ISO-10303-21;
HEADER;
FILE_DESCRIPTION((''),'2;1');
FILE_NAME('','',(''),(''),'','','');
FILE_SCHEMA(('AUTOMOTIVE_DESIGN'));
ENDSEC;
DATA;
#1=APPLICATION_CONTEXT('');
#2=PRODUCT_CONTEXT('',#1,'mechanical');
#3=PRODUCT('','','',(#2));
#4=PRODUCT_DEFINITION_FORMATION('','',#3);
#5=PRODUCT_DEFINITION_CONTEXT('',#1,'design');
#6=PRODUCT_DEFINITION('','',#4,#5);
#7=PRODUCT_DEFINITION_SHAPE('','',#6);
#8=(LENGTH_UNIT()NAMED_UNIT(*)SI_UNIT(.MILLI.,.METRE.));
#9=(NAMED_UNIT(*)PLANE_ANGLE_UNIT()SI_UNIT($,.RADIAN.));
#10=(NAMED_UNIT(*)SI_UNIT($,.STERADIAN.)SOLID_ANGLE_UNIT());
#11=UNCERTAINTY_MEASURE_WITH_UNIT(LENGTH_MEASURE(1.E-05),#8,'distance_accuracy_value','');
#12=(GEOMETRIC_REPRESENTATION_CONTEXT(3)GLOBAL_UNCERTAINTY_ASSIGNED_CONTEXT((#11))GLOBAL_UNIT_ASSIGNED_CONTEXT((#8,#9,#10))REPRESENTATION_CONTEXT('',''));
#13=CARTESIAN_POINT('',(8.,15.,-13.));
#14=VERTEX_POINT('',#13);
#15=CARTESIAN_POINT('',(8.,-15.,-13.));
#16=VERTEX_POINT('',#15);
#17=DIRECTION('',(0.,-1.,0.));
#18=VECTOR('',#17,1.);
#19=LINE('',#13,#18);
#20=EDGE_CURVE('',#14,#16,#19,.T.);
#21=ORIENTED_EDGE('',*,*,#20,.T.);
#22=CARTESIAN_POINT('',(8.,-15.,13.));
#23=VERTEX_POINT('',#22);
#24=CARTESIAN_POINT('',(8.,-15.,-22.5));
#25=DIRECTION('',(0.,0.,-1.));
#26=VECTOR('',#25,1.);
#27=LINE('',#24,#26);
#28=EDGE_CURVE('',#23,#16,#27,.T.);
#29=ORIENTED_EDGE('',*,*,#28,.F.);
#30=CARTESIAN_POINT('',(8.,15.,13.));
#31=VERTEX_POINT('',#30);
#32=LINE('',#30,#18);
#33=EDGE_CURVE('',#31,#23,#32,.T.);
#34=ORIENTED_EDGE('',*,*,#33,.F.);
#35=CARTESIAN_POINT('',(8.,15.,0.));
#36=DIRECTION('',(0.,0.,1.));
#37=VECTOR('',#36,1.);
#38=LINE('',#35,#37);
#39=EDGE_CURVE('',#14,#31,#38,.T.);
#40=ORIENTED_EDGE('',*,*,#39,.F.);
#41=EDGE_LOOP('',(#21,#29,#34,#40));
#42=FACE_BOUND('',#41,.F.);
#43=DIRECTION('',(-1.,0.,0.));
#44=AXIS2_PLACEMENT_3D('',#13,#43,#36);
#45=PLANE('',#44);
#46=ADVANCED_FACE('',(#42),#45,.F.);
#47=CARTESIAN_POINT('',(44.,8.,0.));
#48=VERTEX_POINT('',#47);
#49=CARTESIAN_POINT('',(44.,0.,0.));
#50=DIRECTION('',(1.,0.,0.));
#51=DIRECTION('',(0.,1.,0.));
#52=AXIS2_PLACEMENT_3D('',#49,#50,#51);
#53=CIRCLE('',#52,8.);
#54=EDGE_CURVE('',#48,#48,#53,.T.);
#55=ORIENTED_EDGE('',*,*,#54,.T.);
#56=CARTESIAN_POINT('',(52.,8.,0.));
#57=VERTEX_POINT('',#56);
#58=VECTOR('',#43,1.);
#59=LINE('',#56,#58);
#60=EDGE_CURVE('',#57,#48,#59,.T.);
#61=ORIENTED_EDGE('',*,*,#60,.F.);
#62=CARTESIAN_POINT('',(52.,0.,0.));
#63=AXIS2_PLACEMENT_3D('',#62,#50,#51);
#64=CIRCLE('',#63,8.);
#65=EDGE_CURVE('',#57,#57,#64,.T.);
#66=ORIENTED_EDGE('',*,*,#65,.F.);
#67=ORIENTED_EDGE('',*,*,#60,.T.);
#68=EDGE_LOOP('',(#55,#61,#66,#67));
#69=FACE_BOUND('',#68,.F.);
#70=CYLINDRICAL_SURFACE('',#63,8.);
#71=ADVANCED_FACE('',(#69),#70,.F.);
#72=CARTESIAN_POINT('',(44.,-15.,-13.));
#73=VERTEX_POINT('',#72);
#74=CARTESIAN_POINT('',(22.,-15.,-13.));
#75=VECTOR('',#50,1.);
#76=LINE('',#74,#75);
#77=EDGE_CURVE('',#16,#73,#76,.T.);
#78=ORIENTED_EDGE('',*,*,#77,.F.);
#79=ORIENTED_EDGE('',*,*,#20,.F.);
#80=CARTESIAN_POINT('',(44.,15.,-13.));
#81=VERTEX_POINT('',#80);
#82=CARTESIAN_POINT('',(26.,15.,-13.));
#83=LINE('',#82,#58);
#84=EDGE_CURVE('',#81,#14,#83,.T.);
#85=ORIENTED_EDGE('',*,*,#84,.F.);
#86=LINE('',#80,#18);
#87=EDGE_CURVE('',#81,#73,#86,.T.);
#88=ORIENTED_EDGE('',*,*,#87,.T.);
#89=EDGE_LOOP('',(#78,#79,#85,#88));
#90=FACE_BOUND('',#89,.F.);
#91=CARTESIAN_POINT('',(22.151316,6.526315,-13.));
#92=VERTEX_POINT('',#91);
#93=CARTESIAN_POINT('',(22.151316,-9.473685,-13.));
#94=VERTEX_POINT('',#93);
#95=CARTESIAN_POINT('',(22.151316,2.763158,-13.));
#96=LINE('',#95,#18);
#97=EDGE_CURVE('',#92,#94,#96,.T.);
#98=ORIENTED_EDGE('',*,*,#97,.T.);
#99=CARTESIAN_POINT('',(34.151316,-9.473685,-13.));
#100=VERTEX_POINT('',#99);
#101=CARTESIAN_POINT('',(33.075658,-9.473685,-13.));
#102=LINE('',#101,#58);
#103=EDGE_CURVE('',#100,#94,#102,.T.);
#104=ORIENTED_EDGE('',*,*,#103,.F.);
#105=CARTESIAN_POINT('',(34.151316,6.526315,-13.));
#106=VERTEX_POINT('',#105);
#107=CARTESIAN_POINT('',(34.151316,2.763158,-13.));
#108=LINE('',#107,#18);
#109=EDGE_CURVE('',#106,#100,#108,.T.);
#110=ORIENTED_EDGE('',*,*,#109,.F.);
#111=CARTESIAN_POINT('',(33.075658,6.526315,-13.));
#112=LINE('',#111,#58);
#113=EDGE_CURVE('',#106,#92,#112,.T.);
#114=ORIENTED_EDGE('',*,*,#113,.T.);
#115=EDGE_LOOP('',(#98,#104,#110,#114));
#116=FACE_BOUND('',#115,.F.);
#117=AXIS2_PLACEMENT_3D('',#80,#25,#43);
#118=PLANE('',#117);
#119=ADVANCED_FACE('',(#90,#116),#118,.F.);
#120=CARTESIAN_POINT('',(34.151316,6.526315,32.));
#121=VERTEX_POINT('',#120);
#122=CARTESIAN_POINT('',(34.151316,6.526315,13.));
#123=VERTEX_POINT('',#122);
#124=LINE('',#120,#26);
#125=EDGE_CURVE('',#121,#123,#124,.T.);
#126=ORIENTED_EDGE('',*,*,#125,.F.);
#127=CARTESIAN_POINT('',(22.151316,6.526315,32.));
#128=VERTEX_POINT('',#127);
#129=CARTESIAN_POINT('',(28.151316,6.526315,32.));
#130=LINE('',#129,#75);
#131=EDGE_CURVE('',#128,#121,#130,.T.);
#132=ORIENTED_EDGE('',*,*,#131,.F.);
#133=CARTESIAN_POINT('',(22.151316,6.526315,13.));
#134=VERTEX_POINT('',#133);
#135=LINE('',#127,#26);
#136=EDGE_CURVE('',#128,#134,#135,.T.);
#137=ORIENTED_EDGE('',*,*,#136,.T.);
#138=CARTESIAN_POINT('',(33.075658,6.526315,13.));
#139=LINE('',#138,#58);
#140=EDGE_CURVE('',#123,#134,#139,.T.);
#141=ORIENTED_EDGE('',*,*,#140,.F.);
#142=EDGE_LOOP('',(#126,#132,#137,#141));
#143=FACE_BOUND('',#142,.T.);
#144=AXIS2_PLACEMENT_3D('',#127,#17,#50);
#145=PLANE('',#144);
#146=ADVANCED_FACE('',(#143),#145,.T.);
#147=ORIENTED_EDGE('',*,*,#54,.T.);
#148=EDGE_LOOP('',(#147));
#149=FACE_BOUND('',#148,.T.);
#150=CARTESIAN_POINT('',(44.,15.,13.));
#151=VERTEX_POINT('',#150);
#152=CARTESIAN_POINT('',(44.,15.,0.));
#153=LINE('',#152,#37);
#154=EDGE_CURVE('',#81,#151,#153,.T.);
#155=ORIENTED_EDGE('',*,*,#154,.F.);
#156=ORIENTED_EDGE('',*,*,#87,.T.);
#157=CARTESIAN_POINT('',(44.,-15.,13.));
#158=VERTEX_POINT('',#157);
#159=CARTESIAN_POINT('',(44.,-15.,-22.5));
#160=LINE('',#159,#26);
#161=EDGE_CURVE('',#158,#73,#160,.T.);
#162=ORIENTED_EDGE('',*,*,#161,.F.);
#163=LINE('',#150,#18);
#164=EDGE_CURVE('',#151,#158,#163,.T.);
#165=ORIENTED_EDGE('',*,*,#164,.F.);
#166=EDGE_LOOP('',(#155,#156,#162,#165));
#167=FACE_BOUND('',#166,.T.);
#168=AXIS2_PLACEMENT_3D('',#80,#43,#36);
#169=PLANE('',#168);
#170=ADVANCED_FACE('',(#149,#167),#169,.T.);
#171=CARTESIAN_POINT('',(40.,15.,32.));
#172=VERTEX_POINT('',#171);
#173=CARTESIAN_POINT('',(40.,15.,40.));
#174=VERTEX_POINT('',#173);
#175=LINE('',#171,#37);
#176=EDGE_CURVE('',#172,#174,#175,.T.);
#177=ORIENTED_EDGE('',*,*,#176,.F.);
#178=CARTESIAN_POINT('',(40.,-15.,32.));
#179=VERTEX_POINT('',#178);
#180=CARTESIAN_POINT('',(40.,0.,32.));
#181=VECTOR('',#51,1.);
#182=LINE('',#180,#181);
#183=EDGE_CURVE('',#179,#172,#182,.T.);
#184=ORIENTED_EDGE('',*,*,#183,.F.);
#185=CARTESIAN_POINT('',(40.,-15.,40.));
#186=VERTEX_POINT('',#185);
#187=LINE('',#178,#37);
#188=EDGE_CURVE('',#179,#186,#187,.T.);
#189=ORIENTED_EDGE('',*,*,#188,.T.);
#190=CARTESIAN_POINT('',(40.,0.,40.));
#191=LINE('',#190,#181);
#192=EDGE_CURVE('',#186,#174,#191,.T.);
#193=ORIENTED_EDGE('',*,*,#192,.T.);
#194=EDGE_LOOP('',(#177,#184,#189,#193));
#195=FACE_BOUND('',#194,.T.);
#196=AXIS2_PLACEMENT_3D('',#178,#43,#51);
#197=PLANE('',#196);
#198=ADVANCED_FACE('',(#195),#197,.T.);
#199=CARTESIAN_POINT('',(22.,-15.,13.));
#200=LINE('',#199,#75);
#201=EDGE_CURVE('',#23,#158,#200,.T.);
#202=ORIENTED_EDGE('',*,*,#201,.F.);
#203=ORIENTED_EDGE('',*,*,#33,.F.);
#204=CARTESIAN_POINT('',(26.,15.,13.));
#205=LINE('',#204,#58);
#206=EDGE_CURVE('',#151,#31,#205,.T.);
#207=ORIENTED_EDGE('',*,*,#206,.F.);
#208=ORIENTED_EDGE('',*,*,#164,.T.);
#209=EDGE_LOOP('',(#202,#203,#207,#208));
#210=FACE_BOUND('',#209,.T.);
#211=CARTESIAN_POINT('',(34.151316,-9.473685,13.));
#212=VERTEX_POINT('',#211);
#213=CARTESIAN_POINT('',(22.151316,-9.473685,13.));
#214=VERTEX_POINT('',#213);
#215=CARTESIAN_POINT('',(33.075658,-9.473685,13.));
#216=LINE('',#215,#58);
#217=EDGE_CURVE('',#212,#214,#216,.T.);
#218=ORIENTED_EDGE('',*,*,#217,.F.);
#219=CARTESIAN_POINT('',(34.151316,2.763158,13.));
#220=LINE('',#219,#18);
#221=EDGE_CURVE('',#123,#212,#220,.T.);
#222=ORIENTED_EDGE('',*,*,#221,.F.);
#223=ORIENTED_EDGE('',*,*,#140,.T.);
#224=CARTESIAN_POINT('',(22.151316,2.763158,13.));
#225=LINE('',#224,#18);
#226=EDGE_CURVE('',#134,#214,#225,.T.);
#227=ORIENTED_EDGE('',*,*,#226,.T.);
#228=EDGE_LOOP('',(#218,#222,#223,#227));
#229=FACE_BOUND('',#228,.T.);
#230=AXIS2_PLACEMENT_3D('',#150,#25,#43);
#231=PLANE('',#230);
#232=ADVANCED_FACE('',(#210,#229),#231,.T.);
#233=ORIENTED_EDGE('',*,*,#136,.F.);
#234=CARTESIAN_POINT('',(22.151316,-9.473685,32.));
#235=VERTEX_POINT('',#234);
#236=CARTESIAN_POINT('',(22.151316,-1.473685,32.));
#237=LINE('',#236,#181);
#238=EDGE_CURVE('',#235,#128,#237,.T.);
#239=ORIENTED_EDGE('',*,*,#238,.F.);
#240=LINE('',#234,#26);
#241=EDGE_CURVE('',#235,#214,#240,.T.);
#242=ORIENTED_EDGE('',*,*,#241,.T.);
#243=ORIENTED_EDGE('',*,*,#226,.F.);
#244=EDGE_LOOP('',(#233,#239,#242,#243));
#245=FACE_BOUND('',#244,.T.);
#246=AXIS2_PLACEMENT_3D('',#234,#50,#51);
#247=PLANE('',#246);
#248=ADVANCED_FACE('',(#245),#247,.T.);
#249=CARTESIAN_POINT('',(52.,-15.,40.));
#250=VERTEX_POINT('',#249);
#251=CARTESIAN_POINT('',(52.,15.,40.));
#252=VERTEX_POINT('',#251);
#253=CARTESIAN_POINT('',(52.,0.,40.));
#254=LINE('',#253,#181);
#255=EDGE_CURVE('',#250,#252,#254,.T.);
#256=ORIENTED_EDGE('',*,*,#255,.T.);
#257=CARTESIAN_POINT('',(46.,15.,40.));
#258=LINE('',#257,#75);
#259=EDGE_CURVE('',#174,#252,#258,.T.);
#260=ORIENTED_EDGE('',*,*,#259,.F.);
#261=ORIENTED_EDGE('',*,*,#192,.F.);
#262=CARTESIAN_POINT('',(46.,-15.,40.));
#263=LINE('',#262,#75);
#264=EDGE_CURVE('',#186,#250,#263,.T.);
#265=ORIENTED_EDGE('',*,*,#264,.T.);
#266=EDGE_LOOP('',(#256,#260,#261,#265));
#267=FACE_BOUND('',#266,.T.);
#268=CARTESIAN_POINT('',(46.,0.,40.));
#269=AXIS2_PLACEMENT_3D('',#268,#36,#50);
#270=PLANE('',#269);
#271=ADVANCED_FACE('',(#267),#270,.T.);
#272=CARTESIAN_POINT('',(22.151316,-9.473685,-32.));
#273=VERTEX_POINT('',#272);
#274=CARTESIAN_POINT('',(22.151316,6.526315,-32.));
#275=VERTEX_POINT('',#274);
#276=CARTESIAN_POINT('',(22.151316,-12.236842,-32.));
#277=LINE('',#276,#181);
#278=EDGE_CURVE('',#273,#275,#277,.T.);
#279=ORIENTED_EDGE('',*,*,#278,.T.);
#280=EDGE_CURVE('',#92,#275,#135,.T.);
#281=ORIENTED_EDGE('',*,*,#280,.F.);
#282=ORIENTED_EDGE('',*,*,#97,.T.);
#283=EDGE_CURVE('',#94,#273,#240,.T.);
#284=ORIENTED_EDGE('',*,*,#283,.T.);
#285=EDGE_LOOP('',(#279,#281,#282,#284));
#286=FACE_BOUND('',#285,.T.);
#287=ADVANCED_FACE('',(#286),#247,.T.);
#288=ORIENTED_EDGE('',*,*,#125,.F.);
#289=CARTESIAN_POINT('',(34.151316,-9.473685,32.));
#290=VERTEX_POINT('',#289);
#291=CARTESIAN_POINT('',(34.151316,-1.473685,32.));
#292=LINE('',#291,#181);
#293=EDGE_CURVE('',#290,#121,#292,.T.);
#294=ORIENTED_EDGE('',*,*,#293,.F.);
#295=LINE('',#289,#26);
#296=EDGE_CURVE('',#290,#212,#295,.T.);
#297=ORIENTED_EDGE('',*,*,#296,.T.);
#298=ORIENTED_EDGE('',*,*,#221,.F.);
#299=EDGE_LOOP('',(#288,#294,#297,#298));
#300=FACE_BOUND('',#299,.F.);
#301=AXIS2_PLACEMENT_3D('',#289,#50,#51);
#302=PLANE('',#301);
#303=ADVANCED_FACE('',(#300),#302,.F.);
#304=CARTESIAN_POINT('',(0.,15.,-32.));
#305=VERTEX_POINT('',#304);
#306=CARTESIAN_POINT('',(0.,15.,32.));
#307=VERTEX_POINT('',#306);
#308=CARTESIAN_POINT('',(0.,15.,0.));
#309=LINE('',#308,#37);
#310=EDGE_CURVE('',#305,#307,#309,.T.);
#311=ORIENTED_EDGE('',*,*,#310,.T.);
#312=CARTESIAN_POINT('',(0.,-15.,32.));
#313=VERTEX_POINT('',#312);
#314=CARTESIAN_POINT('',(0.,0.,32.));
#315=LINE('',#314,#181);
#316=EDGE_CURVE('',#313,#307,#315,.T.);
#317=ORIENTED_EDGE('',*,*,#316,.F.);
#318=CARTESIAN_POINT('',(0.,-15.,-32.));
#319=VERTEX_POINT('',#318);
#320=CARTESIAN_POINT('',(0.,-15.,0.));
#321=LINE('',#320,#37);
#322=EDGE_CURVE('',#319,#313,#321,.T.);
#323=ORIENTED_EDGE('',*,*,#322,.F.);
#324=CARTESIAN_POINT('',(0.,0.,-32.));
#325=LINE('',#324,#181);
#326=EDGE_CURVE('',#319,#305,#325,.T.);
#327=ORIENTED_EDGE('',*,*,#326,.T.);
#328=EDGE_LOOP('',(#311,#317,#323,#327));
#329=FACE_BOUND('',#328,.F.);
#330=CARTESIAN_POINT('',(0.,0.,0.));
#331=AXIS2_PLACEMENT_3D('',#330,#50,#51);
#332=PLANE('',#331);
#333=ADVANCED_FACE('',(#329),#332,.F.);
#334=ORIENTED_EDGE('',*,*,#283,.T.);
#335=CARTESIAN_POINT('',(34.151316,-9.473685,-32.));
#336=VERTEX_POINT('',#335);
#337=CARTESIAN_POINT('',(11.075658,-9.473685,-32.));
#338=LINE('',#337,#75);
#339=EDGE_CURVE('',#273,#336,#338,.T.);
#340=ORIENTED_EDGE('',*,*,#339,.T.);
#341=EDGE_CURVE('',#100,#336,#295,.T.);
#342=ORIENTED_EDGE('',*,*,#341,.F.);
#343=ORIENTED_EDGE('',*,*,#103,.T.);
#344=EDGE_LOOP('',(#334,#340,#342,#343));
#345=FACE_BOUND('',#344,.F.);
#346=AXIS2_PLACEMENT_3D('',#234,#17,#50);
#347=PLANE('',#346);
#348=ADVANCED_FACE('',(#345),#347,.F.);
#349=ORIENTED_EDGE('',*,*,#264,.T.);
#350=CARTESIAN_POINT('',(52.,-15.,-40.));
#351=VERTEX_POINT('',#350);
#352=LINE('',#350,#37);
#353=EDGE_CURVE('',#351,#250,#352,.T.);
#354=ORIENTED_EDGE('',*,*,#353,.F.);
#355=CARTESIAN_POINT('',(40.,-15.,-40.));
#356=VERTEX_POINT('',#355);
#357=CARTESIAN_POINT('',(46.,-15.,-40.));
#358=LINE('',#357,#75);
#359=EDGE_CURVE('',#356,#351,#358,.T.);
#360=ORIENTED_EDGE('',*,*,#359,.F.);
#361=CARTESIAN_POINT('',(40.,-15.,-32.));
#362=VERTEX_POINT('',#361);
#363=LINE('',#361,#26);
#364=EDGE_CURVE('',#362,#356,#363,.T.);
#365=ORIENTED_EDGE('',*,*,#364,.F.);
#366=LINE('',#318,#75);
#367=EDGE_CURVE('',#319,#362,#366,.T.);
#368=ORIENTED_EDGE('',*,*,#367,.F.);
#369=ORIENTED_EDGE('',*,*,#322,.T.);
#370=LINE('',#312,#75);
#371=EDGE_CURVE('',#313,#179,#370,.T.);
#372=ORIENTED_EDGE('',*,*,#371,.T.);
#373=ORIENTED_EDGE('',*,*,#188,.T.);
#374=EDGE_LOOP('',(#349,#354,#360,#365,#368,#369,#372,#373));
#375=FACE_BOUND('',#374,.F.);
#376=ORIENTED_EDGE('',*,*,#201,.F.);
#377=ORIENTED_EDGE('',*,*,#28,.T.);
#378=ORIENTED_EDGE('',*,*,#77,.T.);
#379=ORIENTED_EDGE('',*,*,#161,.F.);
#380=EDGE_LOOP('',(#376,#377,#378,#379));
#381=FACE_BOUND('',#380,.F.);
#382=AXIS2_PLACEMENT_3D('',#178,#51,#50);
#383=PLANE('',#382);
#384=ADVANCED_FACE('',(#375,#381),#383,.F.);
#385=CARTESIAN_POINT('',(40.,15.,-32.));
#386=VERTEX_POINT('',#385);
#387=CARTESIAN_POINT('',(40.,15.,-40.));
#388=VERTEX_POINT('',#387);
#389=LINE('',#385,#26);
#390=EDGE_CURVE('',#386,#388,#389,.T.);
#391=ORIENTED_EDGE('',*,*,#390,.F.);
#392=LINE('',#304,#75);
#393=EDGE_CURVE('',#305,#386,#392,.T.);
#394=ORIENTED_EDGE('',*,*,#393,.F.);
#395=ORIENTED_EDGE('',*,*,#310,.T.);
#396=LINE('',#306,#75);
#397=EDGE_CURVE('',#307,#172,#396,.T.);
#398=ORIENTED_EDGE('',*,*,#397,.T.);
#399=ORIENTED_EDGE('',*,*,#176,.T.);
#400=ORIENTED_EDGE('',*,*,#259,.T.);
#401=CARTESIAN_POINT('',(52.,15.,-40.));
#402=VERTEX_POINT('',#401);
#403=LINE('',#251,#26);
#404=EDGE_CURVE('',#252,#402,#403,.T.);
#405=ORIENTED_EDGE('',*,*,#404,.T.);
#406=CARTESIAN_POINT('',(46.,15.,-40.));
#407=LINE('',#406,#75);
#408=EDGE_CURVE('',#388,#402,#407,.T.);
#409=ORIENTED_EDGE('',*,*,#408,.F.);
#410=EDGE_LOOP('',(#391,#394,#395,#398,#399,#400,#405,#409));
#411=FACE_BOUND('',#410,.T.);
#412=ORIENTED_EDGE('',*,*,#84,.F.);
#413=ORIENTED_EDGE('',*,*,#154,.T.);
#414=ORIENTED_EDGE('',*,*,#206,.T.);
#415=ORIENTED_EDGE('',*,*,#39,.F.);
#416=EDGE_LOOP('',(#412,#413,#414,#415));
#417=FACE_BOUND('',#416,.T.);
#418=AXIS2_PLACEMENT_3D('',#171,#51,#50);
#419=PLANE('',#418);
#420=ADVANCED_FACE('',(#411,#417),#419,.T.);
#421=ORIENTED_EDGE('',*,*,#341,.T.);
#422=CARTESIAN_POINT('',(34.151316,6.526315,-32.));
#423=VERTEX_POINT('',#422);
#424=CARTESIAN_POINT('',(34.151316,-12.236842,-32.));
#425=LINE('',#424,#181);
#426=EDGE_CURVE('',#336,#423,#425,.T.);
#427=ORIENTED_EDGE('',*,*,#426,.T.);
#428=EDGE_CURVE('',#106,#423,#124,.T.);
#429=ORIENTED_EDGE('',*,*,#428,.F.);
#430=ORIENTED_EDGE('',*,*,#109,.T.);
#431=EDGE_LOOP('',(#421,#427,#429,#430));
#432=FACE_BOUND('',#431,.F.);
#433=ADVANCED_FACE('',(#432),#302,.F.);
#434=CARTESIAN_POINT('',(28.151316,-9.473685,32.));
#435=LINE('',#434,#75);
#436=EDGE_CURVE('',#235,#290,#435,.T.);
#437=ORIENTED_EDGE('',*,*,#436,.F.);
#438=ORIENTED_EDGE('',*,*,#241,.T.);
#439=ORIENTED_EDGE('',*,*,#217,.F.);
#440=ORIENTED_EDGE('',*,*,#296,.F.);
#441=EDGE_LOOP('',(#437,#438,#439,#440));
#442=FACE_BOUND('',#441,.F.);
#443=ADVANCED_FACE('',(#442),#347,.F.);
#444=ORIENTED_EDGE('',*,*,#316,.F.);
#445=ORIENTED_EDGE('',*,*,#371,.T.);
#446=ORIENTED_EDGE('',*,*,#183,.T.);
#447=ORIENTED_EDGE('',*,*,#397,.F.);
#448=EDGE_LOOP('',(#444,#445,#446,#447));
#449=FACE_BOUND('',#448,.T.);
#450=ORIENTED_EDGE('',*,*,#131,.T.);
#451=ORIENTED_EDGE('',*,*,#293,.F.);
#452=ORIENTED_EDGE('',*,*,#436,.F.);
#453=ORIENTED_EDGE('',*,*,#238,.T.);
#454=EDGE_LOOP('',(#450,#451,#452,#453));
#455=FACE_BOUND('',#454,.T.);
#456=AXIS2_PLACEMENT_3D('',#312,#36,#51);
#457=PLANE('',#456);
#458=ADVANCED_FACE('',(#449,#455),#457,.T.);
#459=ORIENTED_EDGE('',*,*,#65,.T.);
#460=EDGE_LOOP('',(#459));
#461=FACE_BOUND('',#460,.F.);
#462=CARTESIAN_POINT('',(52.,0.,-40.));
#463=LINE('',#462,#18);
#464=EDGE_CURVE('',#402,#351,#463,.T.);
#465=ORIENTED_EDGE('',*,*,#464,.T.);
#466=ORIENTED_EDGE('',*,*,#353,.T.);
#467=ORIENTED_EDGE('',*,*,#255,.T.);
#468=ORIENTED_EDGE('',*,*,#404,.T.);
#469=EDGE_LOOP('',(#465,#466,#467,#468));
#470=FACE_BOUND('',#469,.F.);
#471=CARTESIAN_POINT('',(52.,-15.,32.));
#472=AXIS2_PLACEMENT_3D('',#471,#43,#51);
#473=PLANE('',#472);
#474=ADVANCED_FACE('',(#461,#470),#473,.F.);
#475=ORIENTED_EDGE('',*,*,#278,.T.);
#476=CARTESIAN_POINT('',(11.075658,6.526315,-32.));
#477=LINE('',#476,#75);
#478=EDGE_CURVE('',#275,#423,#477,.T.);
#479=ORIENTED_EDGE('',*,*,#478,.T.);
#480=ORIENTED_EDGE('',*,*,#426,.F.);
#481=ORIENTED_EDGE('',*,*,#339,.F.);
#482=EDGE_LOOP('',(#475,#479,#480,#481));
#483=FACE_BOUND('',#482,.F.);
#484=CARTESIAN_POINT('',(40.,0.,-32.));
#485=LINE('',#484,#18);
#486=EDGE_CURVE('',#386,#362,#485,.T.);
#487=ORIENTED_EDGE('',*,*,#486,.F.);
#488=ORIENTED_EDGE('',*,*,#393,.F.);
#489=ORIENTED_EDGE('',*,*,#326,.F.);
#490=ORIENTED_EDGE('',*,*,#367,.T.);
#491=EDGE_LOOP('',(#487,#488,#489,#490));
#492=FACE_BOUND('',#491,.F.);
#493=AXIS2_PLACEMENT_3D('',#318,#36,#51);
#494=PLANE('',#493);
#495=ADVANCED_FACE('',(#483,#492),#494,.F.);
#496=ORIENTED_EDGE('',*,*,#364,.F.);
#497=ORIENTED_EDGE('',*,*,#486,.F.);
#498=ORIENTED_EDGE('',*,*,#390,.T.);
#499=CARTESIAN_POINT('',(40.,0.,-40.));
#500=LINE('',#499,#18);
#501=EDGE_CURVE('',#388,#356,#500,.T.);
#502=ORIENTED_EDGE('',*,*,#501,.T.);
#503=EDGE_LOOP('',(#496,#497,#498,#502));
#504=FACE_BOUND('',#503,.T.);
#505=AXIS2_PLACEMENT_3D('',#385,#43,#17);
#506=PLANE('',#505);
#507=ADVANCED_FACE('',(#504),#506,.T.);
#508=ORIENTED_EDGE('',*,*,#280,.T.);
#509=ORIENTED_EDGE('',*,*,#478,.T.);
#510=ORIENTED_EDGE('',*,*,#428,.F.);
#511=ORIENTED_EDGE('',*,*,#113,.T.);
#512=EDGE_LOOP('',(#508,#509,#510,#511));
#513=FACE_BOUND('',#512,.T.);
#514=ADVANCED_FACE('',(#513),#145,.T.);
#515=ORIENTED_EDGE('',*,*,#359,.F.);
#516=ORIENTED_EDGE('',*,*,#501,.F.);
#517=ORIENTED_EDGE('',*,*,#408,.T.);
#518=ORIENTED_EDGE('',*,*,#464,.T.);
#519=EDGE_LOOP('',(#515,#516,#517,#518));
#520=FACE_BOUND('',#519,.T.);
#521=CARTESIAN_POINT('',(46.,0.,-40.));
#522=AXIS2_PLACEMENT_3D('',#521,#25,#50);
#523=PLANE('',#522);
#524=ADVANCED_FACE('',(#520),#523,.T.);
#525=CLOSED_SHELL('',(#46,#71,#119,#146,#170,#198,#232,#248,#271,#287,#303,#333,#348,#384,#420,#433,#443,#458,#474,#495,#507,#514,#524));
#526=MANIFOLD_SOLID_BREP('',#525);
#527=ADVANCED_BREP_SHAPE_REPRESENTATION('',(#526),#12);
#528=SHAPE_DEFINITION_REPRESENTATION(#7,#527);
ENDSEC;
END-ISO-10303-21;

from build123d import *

# Parameters (mm, degrees)
F0_W      = 30
F0_H      = 64
F1_DEPTH  = 52
F2_W      = 36
F2_H      = 26
F3_DEPTH  = 100
F4_W      = 12
F4_H      = 30
F5_DEPTH  = 8
F6_W      = 12
F6_H      = 30
F7_DEPTH  = 8
F8_R      = 8
F9_DEPTH  = 10
F11_W     = 12
F11_H     = 16
F12_DEPTH = 100


with BuildPart() as f1:
    # F0 (on Right) → F1 (new body)
    with BuildSketch(Plane.YZ):
        Rectangle(F0_W, F0_H)
    extrude(amount=F1_DEPTH)

    # F2 (on face) → F3 (cut)
    with BuildSketch(Plane(origin=(0, 15, 0), x_dir=(-1, 0, 0), z_dir=(0, 1, 0))):
        with Locations((-26, 0)):
            Rectangle(F2_W, F2_H)
    extrude(amount=-F3_DEPTH, mode=Mode.SUBTRACT)

    # F4 (on face) → F5 (join)
    with BuildSketch(Plane(origin=(0, 0, -32), x_dir=(1, 0, 0), z_dir=(0, 0, -1))):
        with Locations((46, 0)):
            Rectangle(F4_W, F4_H)
    extrude(amount=F5_DEPTH)

    # F6 (on face) → F7 (join)
    with BuildSketch(Plane.XY.offset(32)):
        with Locations((46, 0)):
            Rectangle(F6_W, F6_H)
    extrude(amount=F7_DEPTH)

    # F8 (on face) → F9 (cut)
    with BuildSketch(Plane.YZ.offset(52)):
        Circle(F8_R)
    extrude(amount=-F9_DEPTH, mode=Mode.SUBTRACT)

    # F11 (on face) → F12 (cut)
    with BuildSketch(Plane.XY.offset(32)):
        with Locations((28.151316, -1.473685)):
            Rectangle(F11_W, F11_H)
    extrude(amount=-F12_DEPTH, mode=Mode.SUBTRACT)


solid = f1.part
